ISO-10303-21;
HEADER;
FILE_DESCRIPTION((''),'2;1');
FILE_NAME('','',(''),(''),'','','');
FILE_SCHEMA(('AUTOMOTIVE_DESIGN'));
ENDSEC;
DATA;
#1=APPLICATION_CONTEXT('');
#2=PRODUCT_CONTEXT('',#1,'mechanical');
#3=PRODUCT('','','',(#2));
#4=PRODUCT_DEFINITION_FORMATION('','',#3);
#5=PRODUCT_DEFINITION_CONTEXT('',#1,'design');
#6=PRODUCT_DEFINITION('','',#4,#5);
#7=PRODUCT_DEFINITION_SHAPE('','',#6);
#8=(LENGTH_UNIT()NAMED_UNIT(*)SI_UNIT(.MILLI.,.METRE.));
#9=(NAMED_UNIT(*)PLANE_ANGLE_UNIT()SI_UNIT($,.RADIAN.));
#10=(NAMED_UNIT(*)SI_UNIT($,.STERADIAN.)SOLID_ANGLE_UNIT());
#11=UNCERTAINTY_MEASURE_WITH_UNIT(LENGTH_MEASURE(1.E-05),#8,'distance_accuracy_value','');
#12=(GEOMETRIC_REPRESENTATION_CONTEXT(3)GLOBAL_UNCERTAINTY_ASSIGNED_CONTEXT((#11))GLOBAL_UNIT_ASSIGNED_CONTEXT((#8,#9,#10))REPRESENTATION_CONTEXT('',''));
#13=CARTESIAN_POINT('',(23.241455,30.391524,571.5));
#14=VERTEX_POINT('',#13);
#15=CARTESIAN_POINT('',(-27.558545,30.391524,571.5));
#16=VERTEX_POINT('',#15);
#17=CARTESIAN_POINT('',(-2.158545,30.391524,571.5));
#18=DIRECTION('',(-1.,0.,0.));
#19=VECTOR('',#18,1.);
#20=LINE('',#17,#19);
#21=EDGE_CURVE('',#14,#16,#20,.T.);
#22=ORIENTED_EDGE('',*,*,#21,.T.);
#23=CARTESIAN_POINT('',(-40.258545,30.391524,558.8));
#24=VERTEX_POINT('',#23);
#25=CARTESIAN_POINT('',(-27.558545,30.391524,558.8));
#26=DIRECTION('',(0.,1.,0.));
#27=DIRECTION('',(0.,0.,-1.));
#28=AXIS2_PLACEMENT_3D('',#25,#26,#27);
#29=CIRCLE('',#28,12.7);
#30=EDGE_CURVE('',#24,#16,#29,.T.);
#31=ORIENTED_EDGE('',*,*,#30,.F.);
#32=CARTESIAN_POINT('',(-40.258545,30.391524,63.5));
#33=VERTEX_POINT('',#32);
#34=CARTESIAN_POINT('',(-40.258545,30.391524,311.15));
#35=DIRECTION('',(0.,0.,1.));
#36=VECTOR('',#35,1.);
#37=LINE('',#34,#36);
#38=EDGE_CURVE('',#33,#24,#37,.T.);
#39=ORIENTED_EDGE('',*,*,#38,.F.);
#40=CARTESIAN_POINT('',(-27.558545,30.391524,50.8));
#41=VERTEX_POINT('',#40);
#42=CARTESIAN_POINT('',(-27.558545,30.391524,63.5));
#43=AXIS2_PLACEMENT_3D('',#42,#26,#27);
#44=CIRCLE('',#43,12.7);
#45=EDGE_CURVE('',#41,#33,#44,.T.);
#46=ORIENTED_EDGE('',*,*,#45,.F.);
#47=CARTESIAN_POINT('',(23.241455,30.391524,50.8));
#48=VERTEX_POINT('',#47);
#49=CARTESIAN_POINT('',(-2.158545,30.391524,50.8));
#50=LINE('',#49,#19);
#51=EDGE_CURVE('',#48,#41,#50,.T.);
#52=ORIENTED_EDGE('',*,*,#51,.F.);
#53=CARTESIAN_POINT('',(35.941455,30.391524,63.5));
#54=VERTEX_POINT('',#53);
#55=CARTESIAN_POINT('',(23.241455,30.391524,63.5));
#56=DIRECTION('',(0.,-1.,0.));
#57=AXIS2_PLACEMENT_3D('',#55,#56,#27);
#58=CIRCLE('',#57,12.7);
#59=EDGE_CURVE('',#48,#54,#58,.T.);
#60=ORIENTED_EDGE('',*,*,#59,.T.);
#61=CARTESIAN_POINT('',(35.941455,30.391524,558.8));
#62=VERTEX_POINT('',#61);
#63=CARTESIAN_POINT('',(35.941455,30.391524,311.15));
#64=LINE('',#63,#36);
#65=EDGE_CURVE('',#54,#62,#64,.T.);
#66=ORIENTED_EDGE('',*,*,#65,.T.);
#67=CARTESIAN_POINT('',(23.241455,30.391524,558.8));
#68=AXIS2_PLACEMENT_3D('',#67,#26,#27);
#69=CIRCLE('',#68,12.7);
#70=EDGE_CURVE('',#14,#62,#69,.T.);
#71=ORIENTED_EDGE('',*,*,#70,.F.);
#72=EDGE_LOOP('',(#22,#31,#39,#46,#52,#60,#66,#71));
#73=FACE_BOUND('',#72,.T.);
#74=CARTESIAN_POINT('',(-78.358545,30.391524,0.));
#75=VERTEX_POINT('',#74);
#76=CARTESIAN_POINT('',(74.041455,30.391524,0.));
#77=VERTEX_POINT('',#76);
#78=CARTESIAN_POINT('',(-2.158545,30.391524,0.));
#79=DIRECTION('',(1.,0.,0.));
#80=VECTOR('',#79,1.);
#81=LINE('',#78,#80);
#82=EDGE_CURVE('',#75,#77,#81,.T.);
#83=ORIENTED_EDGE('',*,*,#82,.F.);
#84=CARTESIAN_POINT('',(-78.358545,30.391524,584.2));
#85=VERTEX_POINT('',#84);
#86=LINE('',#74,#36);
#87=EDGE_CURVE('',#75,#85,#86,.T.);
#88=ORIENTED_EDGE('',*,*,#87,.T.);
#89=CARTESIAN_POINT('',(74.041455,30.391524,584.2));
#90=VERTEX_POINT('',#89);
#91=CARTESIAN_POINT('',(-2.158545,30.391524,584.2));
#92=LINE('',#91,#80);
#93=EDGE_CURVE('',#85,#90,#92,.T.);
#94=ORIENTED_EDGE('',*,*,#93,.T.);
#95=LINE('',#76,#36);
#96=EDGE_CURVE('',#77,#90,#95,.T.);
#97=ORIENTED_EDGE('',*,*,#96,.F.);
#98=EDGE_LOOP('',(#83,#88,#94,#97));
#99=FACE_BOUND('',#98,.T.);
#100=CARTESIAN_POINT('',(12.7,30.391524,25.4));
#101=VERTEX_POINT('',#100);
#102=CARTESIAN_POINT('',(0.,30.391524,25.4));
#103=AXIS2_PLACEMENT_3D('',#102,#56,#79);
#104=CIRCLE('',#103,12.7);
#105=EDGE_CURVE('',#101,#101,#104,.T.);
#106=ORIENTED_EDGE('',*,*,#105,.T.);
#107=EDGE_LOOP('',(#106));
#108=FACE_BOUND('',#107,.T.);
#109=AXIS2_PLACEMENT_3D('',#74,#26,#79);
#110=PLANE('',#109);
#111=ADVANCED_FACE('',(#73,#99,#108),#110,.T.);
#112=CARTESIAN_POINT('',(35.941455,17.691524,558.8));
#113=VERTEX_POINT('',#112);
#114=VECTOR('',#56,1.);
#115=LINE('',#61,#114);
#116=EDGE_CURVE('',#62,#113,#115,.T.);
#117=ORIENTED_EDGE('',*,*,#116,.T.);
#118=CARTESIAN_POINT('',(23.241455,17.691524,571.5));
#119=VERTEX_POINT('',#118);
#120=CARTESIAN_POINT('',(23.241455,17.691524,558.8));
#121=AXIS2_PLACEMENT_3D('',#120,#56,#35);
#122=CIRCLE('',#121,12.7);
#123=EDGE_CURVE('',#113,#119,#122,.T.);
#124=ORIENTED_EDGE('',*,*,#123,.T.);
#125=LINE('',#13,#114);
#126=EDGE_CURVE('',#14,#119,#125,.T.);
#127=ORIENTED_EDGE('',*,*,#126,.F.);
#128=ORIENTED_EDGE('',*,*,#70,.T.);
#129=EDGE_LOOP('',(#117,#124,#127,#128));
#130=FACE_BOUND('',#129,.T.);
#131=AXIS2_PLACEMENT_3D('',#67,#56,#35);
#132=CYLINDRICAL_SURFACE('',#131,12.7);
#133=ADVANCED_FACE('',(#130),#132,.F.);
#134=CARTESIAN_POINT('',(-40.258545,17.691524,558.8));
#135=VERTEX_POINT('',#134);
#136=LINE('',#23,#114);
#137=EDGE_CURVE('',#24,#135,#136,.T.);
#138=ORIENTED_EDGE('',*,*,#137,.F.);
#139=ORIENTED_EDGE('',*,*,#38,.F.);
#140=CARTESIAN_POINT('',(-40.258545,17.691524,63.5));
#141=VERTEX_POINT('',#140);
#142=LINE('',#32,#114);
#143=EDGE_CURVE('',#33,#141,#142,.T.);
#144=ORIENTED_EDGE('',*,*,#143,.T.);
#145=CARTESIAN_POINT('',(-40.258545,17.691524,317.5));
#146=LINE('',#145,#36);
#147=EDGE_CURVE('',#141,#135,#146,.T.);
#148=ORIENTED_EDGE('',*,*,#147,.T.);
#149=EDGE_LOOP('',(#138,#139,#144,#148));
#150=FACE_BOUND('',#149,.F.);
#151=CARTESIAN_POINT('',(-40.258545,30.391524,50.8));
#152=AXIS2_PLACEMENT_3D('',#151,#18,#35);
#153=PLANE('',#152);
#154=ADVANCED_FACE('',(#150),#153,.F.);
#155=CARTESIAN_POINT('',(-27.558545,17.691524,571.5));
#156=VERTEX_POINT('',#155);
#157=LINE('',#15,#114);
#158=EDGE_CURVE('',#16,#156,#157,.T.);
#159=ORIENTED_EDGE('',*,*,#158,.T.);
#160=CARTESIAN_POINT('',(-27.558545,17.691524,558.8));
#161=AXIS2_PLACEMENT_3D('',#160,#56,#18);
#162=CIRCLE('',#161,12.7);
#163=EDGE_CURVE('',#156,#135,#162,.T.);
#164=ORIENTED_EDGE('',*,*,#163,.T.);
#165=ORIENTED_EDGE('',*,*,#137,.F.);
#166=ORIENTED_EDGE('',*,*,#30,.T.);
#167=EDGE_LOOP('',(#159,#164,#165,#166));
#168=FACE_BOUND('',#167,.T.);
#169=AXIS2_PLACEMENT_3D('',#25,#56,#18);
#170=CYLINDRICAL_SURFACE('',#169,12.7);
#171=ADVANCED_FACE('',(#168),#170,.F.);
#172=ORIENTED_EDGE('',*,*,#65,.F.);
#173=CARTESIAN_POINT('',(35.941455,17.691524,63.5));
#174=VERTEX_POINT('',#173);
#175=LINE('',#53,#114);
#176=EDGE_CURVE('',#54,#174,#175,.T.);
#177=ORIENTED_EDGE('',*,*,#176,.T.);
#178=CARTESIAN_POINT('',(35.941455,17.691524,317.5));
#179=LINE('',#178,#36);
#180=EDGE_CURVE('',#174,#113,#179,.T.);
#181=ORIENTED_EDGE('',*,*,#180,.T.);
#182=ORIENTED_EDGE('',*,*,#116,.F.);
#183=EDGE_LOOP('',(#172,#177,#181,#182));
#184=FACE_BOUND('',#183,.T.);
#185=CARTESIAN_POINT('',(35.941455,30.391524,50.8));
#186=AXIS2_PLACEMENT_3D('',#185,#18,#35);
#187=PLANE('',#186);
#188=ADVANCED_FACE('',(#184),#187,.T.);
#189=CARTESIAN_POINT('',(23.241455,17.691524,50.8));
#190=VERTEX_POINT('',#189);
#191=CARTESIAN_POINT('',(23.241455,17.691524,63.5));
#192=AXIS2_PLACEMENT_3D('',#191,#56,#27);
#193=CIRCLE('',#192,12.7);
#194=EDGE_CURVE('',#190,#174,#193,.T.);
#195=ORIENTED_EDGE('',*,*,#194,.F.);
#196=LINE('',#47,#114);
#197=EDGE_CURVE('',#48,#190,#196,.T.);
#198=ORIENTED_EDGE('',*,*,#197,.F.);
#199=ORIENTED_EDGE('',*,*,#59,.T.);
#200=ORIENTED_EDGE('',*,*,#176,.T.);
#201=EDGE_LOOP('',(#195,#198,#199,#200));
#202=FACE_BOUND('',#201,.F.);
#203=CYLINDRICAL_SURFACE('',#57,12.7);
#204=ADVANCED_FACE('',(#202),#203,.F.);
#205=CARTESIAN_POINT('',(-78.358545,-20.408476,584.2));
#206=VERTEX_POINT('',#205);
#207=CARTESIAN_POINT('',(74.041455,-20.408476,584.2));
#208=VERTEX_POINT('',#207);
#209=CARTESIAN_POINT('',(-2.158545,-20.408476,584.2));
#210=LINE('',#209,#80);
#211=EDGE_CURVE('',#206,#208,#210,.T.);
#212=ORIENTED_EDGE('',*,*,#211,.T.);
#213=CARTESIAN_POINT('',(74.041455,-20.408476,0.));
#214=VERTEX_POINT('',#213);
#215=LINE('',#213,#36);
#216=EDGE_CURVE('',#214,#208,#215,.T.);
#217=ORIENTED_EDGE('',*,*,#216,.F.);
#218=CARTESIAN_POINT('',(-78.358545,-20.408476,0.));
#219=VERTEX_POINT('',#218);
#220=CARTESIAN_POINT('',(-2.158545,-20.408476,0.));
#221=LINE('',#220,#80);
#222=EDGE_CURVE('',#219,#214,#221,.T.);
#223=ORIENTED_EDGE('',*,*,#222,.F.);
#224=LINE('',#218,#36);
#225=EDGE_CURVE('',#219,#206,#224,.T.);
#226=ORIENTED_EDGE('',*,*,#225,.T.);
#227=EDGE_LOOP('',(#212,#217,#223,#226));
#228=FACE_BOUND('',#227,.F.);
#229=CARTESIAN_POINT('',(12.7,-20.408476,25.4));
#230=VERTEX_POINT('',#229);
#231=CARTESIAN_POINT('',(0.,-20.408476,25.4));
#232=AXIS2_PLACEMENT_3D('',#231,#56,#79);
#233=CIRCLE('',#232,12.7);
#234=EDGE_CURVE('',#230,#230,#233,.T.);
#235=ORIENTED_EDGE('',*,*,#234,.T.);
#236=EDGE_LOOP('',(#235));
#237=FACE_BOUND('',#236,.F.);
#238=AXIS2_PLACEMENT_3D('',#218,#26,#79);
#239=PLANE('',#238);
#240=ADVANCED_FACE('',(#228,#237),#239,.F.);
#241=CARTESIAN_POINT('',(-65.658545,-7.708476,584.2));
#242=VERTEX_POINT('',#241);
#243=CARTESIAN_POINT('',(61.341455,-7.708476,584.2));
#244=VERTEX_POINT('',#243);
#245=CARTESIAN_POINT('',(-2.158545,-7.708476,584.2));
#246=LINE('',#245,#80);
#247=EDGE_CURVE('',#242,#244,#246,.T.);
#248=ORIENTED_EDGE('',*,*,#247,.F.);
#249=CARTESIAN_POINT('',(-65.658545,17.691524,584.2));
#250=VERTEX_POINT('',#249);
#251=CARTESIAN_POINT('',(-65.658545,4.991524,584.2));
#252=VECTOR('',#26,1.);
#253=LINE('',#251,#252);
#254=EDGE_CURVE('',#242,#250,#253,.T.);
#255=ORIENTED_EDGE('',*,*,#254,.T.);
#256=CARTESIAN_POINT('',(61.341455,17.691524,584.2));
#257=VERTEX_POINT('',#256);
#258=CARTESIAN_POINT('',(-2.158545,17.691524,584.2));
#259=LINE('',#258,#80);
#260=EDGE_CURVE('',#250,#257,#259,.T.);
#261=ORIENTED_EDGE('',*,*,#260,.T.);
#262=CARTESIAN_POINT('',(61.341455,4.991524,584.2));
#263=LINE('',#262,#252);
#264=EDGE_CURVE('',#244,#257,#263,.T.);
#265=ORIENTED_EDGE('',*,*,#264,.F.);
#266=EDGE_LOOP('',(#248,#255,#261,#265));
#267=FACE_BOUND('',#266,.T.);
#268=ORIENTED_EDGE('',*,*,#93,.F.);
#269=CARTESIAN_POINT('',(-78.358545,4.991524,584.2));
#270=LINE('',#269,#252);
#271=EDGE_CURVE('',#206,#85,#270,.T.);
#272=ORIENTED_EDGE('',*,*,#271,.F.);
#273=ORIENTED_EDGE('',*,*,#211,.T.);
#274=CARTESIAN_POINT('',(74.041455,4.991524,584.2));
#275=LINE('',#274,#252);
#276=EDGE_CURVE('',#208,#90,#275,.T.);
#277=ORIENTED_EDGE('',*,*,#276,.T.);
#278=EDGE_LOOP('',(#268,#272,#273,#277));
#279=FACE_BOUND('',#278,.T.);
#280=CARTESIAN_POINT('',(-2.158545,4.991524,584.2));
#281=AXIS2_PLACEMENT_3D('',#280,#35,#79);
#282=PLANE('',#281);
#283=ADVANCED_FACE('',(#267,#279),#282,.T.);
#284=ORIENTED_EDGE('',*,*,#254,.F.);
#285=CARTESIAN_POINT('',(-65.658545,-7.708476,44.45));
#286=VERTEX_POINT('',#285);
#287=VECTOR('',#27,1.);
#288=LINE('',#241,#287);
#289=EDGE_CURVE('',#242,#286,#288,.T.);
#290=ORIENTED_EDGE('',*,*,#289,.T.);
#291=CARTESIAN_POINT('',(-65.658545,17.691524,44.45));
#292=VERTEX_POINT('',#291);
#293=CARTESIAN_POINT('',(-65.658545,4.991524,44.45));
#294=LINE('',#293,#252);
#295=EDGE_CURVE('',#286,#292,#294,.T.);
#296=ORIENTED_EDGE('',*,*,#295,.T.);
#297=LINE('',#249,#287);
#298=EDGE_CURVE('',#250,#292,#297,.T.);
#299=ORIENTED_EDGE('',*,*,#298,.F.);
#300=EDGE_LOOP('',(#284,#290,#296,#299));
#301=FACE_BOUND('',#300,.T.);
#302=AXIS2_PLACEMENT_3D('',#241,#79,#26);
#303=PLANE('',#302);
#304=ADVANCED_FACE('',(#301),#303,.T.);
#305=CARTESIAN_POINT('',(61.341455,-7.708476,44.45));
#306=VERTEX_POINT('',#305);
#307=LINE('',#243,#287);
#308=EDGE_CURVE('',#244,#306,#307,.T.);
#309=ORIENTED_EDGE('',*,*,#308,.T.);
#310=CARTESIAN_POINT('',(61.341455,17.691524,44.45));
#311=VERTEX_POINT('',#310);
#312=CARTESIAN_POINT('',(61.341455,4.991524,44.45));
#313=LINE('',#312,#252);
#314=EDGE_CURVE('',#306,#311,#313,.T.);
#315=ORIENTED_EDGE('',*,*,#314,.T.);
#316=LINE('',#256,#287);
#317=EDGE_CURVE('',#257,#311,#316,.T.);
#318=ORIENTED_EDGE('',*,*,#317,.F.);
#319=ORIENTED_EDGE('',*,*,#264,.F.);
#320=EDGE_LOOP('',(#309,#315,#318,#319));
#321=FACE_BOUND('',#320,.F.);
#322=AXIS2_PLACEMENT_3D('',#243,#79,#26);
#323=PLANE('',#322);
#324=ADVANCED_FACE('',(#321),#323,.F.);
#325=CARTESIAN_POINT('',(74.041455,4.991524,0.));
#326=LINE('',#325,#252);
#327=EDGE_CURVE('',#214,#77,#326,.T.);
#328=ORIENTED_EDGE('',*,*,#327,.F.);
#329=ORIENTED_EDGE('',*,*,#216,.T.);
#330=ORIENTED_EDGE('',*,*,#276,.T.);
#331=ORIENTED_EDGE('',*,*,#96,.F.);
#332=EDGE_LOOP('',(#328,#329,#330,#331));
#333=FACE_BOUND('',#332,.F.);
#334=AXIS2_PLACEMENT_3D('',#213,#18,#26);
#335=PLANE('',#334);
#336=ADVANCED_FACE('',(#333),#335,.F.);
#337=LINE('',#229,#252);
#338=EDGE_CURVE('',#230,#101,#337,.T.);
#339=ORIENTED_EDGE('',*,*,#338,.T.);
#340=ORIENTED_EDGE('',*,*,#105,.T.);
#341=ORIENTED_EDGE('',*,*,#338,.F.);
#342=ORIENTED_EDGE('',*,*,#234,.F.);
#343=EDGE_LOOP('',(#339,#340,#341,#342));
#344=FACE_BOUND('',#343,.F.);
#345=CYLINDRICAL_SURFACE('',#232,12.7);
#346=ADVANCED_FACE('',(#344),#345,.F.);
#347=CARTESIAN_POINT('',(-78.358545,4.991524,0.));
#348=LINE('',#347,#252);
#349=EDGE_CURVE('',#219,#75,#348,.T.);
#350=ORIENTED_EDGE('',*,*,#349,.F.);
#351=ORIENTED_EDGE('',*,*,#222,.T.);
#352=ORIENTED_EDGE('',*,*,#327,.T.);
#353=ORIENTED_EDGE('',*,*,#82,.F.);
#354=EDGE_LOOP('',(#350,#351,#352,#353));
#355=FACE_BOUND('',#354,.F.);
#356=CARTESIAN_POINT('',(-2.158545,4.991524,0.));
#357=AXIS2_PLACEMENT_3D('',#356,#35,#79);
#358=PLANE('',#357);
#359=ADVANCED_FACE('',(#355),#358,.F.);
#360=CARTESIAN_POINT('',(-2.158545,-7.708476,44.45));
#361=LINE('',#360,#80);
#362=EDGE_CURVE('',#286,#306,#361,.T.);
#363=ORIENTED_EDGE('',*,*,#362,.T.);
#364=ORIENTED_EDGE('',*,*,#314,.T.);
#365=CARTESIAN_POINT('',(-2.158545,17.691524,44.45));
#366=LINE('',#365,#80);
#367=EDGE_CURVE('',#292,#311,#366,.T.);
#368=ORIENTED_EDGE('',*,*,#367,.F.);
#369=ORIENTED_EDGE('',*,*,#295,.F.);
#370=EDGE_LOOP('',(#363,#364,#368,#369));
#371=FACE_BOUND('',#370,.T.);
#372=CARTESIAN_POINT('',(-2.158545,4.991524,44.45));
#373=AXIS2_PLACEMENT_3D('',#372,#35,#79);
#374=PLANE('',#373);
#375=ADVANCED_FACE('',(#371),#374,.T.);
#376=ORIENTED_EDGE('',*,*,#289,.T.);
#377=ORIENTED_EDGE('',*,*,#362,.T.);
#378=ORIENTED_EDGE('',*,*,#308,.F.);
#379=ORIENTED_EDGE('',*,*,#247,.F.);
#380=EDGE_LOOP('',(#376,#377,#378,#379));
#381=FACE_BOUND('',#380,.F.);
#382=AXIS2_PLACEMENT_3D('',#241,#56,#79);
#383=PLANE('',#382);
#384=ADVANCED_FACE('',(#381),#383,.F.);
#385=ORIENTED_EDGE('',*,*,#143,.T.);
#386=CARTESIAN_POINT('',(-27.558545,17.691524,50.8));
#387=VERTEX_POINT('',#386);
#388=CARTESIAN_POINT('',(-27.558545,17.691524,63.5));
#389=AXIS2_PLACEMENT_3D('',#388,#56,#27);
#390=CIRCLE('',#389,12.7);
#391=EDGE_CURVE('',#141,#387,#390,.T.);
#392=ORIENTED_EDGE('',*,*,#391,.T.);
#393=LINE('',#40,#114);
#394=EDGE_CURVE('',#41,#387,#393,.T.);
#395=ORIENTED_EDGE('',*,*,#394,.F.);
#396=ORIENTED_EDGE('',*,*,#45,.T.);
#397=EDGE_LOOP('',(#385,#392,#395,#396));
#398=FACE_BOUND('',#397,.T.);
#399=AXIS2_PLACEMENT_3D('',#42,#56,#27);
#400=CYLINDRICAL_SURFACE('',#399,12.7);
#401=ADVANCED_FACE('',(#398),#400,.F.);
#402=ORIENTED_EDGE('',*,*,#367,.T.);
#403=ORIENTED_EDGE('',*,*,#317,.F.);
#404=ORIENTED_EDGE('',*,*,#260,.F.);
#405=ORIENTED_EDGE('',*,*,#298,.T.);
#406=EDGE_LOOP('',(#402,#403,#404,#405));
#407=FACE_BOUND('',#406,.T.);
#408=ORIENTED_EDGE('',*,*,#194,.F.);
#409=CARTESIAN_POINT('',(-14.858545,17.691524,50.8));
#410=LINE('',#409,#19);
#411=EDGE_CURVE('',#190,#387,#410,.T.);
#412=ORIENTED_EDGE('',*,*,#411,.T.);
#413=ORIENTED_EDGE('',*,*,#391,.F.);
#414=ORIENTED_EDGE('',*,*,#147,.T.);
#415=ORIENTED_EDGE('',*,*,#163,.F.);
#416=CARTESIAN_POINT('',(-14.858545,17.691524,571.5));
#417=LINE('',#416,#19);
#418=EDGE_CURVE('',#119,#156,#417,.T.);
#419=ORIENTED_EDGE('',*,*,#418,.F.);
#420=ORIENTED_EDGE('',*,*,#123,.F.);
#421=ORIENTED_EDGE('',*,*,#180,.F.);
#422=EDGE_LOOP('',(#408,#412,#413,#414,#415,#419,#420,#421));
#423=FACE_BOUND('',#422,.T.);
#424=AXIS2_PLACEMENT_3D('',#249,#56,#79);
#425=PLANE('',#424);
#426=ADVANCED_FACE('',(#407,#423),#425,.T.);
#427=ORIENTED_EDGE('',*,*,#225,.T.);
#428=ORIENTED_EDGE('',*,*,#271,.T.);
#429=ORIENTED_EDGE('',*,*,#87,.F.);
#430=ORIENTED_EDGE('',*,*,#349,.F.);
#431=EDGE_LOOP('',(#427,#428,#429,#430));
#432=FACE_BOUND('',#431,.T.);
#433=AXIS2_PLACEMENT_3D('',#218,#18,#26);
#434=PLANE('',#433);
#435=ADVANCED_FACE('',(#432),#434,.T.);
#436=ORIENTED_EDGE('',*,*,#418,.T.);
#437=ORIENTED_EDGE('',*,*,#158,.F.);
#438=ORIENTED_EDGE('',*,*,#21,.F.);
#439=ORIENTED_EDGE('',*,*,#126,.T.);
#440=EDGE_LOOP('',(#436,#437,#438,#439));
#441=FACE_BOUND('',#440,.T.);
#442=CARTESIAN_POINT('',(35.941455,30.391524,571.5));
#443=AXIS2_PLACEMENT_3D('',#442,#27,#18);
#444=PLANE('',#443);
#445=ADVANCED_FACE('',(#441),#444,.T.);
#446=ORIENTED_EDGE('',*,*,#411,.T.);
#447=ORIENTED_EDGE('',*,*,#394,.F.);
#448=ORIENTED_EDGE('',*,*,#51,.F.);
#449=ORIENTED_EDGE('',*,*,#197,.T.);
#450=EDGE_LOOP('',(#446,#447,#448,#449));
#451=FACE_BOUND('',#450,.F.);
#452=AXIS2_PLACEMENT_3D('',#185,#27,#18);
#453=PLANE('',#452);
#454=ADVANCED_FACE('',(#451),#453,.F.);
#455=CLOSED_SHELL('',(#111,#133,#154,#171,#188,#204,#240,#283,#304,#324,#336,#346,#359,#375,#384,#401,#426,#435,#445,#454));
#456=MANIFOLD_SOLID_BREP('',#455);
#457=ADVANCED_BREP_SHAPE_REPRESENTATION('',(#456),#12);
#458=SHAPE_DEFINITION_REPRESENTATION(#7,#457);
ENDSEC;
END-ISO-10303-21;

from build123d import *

# Parameters (mm, degrees)
F0_W     = 152.4
F0_H     = 50.8
F1_DEPTH = 584.2
F2_R     = 12.7
F3_DEPTH = 50.801
F4_W     = 76.2
F4_H     = 520.7
F5_DEPTH = 25.4
F6_R     = 12.7
F7_W     = 127
F7_H     = 25.4
F8_DEPTH = 539.75


with BuildPart() as f1:
    # F0 (on Top) → F1 (new body)
    with BuildSketch(Plane.XY):
        with Locations((-2.158545, 4.991524)):
            Rectangle(F0_W, F0_H)
    extrude(amount=F1_DEPTH)

    # F2 (on face) → F3 (cut, through all)
    with BuildSketch(Plane.XZ.offset(20.408476)):
        with Locations((0, 25.4)):
            Circle(F2_R)
    extrude(amount=-F3_DEPTH, mode=Mode.SUBTRACT)

    # F4 (on face) → F5 (cut)
    with BuildSketch(Plane(origin=(0, 30.391524, 0), x_dir=(-1, 0, 0), z_dir=(0, 1, 0))):
        with Locations((2.158545, 311.15)):
            Rectangle(F4_W, F4_H)
    extrude(amount=-F5_DEPTH, mode=Mode.SUBTRACT)

    # F6
    f6_edges = [f1.edges().sort_by_distance(p)[0] for p in [
        (35.941455, 17.691524, 50.8),
        (-40.258545, 17.691524, 50.8),
        (-40.258545, 17.691524, 571.5),
        (35.941455, 17.691524, 571.5),
    ]]
    fillet(f6_edges, radius=F6_R)

    # F7 (on face) → F8 (cut)
    with BuildSketch(Plane.XY.offset(584.2)):
        with Locations((-2.158545, 4.991524)):
            Rectangle(F7_W, F7_H)
    extrude(amount=-F8_DEPTH, mode=Mode.SUBTRACT)


solid = f1.part
